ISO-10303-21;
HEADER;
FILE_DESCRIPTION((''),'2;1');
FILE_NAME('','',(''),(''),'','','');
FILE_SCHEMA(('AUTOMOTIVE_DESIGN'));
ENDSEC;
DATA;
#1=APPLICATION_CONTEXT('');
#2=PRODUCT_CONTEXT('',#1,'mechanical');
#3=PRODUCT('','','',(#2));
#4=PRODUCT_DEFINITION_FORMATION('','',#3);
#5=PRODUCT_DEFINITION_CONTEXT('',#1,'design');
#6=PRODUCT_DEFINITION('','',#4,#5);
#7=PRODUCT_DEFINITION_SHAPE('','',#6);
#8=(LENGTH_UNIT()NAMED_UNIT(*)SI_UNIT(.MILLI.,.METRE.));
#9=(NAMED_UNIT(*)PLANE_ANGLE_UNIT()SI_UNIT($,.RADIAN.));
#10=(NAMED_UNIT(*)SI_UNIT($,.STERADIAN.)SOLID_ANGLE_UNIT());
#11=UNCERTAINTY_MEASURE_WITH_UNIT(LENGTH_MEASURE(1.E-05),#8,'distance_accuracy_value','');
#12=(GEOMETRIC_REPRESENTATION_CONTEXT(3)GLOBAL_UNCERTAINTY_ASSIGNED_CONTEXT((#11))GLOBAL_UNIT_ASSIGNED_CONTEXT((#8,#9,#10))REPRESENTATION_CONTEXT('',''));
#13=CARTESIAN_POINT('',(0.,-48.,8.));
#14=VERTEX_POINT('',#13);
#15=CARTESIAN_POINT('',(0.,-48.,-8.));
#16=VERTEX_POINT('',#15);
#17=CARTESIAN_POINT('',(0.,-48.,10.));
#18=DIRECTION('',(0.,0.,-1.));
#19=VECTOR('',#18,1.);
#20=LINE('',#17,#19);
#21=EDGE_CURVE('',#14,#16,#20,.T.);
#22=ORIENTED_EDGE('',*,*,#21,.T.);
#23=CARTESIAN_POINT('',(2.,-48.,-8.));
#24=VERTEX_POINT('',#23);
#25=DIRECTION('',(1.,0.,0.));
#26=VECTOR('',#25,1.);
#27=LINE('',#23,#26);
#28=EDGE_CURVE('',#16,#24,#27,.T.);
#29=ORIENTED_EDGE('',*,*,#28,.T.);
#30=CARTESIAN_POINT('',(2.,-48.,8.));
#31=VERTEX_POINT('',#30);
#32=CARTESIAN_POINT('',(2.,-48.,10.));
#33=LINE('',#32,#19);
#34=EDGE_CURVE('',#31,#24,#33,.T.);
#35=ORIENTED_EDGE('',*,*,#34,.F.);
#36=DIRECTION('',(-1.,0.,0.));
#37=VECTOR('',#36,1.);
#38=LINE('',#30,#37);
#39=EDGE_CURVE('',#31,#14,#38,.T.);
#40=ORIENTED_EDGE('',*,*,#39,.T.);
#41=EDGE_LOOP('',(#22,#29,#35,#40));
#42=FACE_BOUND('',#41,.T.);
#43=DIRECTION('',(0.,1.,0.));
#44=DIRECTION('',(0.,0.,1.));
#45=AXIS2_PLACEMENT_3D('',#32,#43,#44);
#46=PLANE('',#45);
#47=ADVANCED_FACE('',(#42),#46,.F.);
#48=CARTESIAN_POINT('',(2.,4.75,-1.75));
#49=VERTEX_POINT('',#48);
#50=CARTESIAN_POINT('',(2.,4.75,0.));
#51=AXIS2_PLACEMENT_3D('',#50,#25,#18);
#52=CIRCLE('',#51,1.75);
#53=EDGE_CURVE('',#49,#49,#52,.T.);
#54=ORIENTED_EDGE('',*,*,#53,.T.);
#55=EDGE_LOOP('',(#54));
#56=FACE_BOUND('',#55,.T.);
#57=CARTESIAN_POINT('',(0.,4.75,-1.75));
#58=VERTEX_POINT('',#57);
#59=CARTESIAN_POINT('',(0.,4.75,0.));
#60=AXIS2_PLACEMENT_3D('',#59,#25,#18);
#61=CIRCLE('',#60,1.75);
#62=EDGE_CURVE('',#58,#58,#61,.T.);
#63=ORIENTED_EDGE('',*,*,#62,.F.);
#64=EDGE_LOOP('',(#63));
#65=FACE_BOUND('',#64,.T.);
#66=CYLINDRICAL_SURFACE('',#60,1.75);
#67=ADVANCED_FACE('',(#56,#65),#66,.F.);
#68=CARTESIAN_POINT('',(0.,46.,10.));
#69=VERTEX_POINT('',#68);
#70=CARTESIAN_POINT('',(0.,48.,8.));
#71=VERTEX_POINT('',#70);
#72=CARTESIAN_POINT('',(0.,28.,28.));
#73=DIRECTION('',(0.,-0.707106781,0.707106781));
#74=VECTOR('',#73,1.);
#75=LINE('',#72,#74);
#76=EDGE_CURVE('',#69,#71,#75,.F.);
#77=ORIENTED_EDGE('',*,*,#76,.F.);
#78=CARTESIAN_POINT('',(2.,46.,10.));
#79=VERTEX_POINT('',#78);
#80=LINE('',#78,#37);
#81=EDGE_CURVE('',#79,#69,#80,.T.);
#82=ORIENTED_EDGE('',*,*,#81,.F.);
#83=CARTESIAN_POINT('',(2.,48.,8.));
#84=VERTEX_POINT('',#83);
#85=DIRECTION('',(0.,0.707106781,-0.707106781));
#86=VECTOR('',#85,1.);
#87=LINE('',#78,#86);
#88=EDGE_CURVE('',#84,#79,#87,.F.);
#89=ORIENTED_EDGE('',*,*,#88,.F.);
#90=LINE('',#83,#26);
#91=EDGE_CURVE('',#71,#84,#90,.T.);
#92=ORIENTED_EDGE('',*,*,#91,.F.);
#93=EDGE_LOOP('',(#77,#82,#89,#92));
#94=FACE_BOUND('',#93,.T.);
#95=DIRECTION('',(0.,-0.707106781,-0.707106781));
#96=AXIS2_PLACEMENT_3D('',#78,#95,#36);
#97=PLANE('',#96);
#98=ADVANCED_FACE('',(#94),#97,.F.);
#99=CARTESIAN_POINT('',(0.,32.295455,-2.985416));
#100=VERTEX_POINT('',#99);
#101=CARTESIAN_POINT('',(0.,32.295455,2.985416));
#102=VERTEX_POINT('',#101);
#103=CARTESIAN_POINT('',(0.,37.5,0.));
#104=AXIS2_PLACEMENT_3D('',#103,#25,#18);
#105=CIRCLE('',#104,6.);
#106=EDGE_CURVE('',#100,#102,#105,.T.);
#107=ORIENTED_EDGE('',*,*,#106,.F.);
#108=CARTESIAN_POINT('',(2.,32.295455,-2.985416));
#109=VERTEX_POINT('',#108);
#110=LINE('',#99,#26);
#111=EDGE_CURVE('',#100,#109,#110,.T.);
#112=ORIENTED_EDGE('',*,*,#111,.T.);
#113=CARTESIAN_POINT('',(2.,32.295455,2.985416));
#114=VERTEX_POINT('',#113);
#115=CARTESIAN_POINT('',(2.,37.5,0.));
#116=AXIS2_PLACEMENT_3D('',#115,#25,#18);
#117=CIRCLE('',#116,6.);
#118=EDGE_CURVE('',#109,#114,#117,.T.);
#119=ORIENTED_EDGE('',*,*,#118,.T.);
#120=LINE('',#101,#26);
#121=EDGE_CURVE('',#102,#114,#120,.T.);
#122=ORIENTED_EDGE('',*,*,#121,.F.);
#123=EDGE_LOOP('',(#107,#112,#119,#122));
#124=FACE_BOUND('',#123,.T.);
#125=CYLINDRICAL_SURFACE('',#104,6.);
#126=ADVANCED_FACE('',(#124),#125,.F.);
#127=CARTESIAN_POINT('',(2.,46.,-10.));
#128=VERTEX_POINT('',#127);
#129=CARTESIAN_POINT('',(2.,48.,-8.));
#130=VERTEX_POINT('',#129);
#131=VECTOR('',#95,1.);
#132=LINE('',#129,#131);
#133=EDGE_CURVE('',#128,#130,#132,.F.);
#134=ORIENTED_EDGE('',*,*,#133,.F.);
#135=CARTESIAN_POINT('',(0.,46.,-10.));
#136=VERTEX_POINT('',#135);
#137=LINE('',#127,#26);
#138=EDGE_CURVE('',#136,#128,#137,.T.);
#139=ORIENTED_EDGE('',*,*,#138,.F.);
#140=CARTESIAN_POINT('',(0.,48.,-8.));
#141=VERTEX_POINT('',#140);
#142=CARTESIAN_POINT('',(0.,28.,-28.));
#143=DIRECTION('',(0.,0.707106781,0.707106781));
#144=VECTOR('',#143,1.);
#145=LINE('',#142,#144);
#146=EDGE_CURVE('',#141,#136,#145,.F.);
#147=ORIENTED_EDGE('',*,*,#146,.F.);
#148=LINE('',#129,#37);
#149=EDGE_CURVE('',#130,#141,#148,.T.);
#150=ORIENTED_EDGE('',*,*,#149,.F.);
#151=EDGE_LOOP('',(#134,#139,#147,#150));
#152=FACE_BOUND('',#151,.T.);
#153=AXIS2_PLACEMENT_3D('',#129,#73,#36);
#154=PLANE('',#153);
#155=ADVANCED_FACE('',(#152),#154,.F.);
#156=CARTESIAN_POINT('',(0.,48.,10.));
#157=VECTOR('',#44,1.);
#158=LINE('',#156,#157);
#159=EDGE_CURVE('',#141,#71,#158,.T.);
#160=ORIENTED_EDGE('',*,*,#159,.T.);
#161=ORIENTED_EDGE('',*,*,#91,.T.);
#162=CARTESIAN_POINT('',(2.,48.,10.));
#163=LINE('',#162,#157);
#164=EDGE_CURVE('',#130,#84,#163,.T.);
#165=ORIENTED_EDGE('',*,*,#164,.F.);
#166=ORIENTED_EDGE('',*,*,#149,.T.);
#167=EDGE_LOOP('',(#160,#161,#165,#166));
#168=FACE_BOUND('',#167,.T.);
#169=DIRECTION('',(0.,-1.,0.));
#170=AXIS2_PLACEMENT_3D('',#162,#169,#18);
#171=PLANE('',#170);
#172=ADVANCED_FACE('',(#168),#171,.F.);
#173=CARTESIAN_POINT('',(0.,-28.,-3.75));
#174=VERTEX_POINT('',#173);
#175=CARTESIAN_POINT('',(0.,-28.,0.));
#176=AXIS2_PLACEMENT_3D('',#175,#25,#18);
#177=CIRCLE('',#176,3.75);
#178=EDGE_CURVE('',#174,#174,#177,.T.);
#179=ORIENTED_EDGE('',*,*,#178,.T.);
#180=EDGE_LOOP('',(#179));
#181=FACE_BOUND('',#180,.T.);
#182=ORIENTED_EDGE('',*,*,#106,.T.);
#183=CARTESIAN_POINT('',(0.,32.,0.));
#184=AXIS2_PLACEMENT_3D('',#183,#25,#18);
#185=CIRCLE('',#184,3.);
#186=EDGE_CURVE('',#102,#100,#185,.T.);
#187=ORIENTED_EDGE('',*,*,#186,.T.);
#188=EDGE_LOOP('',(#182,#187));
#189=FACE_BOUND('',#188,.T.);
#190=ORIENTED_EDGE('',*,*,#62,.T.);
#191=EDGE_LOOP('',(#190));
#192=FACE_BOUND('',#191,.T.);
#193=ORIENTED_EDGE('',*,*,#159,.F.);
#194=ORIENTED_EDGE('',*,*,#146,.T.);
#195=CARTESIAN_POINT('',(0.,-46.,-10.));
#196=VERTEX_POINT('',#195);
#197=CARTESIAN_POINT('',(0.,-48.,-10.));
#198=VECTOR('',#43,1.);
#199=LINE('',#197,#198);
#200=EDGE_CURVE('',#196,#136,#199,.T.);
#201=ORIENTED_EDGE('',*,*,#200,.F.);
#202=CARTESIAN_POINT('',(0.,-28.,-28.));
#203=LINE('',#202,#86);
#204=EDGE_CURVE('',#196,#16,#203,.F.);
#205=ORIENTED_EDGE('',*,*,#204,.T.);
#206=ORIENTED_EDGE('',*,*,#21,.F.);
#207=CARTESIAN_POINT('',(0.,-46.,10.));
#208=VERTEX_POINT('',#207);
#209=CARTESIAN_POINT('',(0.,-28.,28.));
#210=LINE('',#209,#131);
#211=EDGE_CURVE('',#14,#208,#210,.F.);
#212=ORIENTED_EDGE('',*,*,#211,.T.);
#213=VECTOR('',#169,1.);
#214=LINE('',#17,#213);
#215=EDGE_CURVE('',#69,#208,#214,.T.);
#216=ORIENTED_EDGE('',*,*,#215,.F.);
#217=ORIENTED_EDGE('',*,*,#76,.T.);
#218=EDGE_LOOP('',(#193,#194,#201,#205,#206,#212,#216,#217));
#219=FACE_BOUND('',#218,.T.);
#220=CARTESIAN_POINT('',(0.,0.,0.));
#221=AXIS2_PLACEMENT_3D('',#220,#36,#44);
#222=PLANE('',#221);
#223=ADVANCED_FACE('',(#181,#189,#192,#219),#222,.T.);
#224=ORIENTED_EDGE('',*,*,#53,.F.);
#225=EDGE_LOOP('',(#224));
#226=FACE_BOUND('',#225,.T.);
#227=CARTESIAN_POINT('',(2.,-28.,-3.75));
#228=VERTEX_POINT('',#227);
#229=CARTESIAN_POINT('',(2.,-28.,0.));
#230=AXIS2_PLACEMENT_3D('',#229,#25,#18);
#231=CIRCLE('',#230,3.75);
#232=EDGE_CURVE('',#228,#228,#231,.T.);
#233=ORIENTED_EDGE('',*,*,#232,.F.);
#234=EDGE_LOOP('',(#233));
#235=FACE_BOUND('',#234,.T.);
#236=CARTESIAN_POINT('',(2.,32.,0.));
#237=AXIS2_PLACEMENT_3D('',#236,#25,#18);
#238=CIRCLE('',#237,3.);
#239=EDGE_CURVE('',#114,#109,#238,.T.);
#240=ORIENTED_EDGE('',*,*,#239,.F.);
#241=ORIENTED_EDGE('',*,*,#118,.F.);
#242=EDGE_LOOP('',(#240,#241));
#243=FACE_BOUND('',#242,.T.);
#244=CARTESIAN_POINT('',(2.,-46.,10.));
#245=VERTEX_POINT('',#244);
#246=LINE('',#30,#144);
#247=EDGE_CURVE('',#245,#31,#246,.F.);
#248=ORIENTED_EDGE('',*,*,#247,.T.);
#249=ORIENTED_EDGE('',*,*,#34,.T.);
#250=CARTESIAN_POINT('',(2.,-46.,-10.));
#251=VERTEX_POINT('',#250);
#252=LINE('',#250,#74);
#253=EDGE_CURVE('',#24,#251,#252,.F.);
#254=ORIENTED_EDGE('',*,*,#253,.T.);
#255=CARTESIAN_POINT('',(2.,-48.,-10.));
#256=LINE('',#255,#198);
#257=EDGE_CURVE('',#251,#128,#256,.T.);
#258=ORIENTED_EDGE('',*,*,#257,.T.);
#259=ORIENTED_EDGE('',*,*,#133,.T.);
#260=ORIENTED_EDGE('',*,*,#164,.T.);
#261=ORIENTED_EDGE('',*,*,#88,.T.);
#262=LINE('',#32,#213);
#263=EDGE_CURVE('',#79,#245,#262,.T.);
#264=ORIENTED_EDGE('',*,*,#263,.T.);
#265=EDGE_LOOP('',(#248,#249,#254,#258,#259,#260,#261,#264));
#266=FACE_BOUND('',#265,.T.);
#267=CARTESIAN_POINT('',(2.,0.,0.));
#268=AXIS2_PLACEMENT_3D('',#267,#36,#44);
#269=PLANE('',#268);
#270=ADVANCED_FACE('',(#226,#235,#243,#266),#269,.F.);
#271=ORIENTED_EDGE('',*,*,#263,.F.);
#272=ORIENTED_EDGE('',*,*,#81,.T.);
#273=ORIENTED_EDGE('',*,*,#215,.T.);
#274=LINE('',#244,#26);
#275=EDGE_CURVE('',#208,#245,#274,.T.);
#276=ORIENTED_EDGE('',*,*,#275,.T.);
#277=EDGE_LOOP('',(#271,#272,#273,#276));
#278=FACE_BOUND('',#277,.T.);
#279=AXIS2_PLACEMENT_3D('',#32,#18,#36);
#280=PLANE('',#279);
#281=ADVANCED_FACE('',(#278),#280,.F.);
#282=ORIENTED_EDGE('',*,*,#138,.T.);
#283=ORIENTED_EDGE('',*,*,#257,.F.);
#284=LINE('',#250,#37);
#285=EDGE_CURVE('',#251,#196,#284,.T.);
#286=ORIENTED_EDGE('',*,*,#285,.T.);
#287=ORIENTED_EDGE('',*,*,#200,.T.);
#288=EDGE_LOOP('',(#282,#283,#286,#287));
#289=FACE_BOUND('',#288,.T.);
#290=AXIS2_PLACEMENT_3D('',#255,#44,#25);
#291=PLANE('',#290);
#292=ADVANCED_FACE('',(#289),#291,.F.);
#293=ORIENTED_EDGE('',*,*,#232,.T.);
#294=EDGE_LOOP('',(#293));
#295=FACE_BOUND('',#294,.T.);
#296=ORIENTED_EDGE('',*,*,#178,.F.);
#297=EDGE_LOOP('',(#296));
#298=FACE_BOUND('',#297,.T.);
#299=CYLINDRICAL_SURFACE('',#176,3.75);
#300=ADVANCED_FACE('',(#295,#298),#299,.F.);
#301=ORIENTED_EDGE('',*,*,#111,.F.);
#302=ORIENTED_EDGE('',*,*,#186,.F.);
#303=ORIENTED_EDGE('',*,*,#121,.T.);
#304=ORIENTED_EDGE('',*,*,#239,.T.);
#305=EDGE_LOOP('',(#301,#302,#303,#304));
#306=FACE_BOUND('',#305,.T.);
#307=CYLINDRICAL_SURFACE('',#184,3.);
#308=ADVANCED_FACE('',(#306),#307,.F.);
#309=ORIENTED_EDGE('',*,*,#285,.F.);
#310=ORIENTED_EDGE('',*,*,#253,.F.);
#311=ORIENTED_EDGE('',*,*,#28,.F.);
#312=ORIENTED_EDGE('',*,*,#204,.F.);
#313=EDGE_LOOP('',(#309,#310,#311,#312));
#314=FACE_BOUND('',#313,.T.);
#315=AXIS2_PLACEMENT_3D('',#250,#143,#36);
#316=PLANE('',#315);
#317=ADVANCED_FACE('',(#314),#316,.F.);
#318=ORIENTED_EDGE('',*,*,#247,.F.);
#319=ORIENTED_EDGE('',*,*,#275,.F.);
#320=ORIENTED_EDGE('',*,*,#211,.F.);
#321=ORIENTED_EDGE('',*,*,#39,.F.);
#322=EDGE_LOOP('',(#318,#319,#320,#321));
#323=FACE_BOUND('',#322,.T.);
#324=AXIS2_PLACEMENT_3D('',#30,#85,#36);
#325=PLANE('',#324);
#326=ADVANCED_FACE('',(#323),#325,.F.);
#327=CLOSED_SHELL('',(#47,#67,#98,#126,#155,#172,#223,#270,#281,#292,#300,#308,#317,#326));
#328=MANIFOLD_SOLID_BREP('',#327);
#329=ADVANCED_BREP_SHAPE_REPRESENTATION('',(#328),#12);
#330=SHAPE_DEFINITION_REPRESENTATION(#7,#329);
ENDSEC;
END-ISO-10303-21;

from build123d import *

# Parameters (mm, degrees)
SKETCH1_W           = 20
SKETCH1_H           = 96
BOSS_EXTRUDE2_DEPTH = 2
SKETCH3_R           = 1.75
SKETCH3_R_2         = 3.75
CUT_EXTRUDE1_DEPTH  = 50.071376586
CHAMFER1_SIZE       = 2


with BuildPart() as part:
    # Sketch1 → Boss-Extrude2 (new body)
    with BuildSketch(Plane(origin=(0, 0, 0), x_dir=(0, 0, -1), z_dir=(1, 0, 0))):
        Rectangle(SKETCH1_W, SKETCH1_H)
    extrude(amount=BOSS_EXTRUDE2_DEPTH)

    # Sketch3 → Cut-Extrude1 (cut, through all)
    with BuildSketch(Plane(origin=(2, 0, 0), x_dir=(0, 0, -1), z_dir=(1, 0, 0))):
        with Locations((0, 4.75)):
            Circle(SKETCH3_R)
        with Locations((0, -28)):
            Circle(SKETCH3_R_2)
        with BuildLine():
            ThreePointArc((2.985415651, 32.295454545), (0, 43.5), (-2.985415651, 32.295454545))
            ThreePointArc((-2.985415651, 32.295454545), (0, 29), (2.985415651, 32.295454545))
        make_face()
    extrude(amount=-CUT_EXTRUDE1_DEPTH, mode=Mode.SUBTRACT)

    # Chamfer1
    chamfer1_edges = [part.edges().sort_by_distance(p)[0] for p in [
        (1, -48, -10),
        (1, -48, 10),
        (1, 48, 10),
        (1, 48, -10),
    ]]
    chamfer(chamfer1_edges, length=CHAMFER1_SIZE)


solid = part.part
